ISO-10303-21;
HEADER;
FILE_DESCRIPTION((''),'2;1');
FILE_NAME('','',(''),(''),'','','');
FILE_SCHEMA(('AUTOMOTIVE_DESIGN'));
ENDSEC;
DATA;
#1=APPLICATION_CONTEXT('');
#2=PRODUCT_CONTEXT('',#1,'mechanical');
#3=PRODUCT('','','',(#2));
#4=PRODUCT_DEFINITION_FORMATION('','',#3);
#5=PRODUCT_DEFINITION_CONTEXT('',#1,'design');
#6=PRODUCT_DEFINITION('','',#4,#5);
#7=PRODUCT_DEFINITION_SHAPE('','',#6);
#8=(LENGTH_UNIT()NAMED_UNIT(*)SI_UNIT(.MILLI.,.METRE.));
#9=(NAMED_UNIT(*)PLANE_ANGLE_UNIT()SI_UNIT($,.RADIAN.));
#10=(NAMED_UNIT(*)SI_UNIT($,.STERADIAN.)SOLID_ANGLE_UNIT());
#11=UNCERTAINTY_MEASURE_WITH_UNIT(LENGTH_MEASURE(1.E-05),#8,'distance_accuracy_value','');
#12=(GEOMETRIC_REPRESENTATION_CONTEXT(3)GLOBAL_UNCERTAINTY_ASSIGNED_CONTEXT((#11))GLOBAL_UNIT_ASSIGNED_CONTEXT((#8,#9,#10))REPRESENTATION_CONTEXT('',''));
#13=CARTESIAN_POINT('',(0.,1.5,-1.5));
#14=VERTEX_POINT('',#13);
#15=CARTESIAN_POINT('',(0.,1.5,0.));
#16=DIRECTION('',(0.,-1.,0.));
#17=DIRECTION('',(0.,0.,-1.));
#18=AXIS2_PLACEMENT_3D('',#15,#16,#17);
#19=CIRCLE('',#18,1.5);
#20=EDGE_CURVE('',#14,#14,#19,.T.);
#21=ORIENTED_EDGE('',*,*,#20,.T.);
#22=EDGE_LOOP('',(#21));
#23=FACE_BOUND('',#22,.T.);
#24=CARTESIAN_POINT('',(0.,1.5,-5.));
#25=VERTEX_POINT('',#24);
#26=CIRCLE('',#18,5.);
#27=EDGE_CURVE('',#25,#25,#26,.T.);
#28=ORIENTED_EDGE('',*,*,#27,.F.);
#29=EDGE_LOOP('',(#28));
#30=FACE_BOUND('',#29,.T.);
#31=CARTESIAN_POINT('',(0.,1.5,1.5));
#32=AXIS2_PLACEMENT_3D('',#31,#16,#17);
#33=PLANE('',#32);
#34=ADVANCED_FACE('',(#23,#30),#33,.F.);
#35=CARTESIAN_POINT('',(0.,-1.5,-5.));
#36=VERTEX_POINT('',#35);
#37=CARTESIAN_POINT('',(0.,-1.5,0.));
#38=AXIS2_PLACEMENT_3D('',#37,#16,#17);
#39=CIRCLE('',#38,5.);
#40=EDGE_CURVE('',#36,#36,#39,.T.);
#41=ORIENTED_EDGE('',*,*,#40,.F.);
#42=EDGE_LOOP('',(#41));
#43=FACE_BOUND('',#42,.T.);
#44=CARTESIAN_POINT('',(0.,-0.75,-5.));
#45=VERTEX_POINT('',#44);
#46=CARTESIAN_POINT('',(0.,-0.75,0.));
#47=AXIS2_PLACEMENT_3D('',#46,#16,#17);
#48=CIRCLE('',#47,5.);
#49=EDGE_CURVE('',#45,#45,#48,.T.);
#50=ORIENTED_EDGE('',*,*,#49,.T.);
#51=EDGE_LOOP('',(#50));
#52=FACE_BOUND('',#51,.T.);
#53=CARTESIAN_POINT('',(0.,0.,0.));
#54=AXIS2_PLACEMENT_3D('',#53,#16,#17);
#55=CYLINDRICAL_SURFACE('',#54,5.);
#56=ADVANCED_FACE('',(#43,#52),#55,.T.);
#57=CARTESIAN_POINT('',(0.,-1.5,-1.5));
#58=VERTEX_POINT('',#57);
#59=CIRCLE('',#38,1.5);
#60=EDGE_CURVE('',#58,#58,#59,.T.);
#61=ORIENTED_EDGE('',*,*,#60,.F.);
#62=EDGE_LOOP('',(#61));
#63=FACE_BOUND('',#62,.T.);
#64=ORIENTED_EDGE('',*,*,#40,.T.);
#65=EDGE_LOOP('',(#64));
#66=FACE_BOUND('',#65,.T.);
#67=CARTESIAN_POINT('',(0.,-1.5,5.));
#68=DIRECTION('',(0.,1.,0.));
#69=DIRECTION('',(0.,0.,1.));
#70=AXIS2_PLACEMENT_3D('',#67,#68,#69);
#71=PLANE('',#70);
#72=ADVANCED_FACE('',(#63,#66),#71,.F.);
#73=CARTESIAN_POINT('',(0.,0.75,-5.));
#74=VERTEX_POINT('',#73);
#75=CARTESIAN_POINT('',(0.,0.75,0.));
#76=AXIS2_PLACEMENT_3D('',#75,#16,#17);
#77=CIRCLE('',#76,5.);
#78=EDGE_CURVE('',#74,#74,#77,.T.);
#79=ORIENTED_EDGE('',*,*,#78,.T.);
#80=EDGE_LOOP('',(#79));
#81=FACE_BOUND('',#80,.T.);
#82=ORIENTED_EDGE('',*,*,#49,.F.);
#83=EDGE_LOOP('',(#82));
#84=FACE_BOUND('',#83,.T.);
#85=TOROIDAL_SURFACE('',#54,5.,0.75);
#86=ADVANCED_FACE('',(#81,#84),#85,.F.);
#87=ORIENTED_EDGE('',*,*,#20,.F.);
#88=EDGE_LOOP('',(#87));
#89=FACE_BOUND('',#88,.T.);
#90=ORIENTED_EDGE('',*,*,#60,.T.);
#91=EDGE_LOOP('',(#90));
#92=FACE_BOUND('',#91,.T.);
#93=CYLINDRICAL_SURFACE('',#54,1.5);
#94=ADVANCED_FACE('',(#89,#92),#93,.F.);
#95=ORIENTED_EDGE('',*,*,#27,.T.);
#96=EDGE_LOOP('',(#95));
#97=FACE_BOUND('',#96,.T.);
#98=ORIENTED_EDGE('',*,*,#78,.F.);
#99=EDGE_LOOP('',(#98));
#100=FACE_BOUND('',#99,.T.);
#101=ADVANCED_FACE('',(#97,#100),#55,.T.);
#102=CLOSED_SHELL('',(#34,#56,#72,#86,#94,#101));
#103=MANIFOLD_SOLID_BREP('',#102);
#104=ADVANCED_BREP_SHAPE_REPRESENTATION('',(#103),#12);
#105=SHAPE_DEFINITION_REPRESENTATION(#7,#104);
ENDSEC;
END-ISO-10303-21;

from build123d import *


with BuildPart() as part:
    # Sketch1 → Revolve1 (revolve)
    with BuildSketch(Plane(origin=(0, 0, 0), x_dir=(0, 0, -1), z_dir=(1, 0, 0))):
        with BuildLine():
            Line((-1.5, 1.5), (-5, 1.5))
            Line((-5, 1.5), (-5, 0.75))
            ThreePointArc((-5, 0.75), (-4.25, 0), (-5, -0.75))
            Line((-5, -0.75), (-5, -1.5))
            Line((-5, -1.5), (-1.5, -1.5))
            Line((-1.5, -1.5), (-1.5, 1.5))
        make_face()
    revolve(axis=Axis((0, 0, 0), (0, 1, 0)))


solid = part.part
